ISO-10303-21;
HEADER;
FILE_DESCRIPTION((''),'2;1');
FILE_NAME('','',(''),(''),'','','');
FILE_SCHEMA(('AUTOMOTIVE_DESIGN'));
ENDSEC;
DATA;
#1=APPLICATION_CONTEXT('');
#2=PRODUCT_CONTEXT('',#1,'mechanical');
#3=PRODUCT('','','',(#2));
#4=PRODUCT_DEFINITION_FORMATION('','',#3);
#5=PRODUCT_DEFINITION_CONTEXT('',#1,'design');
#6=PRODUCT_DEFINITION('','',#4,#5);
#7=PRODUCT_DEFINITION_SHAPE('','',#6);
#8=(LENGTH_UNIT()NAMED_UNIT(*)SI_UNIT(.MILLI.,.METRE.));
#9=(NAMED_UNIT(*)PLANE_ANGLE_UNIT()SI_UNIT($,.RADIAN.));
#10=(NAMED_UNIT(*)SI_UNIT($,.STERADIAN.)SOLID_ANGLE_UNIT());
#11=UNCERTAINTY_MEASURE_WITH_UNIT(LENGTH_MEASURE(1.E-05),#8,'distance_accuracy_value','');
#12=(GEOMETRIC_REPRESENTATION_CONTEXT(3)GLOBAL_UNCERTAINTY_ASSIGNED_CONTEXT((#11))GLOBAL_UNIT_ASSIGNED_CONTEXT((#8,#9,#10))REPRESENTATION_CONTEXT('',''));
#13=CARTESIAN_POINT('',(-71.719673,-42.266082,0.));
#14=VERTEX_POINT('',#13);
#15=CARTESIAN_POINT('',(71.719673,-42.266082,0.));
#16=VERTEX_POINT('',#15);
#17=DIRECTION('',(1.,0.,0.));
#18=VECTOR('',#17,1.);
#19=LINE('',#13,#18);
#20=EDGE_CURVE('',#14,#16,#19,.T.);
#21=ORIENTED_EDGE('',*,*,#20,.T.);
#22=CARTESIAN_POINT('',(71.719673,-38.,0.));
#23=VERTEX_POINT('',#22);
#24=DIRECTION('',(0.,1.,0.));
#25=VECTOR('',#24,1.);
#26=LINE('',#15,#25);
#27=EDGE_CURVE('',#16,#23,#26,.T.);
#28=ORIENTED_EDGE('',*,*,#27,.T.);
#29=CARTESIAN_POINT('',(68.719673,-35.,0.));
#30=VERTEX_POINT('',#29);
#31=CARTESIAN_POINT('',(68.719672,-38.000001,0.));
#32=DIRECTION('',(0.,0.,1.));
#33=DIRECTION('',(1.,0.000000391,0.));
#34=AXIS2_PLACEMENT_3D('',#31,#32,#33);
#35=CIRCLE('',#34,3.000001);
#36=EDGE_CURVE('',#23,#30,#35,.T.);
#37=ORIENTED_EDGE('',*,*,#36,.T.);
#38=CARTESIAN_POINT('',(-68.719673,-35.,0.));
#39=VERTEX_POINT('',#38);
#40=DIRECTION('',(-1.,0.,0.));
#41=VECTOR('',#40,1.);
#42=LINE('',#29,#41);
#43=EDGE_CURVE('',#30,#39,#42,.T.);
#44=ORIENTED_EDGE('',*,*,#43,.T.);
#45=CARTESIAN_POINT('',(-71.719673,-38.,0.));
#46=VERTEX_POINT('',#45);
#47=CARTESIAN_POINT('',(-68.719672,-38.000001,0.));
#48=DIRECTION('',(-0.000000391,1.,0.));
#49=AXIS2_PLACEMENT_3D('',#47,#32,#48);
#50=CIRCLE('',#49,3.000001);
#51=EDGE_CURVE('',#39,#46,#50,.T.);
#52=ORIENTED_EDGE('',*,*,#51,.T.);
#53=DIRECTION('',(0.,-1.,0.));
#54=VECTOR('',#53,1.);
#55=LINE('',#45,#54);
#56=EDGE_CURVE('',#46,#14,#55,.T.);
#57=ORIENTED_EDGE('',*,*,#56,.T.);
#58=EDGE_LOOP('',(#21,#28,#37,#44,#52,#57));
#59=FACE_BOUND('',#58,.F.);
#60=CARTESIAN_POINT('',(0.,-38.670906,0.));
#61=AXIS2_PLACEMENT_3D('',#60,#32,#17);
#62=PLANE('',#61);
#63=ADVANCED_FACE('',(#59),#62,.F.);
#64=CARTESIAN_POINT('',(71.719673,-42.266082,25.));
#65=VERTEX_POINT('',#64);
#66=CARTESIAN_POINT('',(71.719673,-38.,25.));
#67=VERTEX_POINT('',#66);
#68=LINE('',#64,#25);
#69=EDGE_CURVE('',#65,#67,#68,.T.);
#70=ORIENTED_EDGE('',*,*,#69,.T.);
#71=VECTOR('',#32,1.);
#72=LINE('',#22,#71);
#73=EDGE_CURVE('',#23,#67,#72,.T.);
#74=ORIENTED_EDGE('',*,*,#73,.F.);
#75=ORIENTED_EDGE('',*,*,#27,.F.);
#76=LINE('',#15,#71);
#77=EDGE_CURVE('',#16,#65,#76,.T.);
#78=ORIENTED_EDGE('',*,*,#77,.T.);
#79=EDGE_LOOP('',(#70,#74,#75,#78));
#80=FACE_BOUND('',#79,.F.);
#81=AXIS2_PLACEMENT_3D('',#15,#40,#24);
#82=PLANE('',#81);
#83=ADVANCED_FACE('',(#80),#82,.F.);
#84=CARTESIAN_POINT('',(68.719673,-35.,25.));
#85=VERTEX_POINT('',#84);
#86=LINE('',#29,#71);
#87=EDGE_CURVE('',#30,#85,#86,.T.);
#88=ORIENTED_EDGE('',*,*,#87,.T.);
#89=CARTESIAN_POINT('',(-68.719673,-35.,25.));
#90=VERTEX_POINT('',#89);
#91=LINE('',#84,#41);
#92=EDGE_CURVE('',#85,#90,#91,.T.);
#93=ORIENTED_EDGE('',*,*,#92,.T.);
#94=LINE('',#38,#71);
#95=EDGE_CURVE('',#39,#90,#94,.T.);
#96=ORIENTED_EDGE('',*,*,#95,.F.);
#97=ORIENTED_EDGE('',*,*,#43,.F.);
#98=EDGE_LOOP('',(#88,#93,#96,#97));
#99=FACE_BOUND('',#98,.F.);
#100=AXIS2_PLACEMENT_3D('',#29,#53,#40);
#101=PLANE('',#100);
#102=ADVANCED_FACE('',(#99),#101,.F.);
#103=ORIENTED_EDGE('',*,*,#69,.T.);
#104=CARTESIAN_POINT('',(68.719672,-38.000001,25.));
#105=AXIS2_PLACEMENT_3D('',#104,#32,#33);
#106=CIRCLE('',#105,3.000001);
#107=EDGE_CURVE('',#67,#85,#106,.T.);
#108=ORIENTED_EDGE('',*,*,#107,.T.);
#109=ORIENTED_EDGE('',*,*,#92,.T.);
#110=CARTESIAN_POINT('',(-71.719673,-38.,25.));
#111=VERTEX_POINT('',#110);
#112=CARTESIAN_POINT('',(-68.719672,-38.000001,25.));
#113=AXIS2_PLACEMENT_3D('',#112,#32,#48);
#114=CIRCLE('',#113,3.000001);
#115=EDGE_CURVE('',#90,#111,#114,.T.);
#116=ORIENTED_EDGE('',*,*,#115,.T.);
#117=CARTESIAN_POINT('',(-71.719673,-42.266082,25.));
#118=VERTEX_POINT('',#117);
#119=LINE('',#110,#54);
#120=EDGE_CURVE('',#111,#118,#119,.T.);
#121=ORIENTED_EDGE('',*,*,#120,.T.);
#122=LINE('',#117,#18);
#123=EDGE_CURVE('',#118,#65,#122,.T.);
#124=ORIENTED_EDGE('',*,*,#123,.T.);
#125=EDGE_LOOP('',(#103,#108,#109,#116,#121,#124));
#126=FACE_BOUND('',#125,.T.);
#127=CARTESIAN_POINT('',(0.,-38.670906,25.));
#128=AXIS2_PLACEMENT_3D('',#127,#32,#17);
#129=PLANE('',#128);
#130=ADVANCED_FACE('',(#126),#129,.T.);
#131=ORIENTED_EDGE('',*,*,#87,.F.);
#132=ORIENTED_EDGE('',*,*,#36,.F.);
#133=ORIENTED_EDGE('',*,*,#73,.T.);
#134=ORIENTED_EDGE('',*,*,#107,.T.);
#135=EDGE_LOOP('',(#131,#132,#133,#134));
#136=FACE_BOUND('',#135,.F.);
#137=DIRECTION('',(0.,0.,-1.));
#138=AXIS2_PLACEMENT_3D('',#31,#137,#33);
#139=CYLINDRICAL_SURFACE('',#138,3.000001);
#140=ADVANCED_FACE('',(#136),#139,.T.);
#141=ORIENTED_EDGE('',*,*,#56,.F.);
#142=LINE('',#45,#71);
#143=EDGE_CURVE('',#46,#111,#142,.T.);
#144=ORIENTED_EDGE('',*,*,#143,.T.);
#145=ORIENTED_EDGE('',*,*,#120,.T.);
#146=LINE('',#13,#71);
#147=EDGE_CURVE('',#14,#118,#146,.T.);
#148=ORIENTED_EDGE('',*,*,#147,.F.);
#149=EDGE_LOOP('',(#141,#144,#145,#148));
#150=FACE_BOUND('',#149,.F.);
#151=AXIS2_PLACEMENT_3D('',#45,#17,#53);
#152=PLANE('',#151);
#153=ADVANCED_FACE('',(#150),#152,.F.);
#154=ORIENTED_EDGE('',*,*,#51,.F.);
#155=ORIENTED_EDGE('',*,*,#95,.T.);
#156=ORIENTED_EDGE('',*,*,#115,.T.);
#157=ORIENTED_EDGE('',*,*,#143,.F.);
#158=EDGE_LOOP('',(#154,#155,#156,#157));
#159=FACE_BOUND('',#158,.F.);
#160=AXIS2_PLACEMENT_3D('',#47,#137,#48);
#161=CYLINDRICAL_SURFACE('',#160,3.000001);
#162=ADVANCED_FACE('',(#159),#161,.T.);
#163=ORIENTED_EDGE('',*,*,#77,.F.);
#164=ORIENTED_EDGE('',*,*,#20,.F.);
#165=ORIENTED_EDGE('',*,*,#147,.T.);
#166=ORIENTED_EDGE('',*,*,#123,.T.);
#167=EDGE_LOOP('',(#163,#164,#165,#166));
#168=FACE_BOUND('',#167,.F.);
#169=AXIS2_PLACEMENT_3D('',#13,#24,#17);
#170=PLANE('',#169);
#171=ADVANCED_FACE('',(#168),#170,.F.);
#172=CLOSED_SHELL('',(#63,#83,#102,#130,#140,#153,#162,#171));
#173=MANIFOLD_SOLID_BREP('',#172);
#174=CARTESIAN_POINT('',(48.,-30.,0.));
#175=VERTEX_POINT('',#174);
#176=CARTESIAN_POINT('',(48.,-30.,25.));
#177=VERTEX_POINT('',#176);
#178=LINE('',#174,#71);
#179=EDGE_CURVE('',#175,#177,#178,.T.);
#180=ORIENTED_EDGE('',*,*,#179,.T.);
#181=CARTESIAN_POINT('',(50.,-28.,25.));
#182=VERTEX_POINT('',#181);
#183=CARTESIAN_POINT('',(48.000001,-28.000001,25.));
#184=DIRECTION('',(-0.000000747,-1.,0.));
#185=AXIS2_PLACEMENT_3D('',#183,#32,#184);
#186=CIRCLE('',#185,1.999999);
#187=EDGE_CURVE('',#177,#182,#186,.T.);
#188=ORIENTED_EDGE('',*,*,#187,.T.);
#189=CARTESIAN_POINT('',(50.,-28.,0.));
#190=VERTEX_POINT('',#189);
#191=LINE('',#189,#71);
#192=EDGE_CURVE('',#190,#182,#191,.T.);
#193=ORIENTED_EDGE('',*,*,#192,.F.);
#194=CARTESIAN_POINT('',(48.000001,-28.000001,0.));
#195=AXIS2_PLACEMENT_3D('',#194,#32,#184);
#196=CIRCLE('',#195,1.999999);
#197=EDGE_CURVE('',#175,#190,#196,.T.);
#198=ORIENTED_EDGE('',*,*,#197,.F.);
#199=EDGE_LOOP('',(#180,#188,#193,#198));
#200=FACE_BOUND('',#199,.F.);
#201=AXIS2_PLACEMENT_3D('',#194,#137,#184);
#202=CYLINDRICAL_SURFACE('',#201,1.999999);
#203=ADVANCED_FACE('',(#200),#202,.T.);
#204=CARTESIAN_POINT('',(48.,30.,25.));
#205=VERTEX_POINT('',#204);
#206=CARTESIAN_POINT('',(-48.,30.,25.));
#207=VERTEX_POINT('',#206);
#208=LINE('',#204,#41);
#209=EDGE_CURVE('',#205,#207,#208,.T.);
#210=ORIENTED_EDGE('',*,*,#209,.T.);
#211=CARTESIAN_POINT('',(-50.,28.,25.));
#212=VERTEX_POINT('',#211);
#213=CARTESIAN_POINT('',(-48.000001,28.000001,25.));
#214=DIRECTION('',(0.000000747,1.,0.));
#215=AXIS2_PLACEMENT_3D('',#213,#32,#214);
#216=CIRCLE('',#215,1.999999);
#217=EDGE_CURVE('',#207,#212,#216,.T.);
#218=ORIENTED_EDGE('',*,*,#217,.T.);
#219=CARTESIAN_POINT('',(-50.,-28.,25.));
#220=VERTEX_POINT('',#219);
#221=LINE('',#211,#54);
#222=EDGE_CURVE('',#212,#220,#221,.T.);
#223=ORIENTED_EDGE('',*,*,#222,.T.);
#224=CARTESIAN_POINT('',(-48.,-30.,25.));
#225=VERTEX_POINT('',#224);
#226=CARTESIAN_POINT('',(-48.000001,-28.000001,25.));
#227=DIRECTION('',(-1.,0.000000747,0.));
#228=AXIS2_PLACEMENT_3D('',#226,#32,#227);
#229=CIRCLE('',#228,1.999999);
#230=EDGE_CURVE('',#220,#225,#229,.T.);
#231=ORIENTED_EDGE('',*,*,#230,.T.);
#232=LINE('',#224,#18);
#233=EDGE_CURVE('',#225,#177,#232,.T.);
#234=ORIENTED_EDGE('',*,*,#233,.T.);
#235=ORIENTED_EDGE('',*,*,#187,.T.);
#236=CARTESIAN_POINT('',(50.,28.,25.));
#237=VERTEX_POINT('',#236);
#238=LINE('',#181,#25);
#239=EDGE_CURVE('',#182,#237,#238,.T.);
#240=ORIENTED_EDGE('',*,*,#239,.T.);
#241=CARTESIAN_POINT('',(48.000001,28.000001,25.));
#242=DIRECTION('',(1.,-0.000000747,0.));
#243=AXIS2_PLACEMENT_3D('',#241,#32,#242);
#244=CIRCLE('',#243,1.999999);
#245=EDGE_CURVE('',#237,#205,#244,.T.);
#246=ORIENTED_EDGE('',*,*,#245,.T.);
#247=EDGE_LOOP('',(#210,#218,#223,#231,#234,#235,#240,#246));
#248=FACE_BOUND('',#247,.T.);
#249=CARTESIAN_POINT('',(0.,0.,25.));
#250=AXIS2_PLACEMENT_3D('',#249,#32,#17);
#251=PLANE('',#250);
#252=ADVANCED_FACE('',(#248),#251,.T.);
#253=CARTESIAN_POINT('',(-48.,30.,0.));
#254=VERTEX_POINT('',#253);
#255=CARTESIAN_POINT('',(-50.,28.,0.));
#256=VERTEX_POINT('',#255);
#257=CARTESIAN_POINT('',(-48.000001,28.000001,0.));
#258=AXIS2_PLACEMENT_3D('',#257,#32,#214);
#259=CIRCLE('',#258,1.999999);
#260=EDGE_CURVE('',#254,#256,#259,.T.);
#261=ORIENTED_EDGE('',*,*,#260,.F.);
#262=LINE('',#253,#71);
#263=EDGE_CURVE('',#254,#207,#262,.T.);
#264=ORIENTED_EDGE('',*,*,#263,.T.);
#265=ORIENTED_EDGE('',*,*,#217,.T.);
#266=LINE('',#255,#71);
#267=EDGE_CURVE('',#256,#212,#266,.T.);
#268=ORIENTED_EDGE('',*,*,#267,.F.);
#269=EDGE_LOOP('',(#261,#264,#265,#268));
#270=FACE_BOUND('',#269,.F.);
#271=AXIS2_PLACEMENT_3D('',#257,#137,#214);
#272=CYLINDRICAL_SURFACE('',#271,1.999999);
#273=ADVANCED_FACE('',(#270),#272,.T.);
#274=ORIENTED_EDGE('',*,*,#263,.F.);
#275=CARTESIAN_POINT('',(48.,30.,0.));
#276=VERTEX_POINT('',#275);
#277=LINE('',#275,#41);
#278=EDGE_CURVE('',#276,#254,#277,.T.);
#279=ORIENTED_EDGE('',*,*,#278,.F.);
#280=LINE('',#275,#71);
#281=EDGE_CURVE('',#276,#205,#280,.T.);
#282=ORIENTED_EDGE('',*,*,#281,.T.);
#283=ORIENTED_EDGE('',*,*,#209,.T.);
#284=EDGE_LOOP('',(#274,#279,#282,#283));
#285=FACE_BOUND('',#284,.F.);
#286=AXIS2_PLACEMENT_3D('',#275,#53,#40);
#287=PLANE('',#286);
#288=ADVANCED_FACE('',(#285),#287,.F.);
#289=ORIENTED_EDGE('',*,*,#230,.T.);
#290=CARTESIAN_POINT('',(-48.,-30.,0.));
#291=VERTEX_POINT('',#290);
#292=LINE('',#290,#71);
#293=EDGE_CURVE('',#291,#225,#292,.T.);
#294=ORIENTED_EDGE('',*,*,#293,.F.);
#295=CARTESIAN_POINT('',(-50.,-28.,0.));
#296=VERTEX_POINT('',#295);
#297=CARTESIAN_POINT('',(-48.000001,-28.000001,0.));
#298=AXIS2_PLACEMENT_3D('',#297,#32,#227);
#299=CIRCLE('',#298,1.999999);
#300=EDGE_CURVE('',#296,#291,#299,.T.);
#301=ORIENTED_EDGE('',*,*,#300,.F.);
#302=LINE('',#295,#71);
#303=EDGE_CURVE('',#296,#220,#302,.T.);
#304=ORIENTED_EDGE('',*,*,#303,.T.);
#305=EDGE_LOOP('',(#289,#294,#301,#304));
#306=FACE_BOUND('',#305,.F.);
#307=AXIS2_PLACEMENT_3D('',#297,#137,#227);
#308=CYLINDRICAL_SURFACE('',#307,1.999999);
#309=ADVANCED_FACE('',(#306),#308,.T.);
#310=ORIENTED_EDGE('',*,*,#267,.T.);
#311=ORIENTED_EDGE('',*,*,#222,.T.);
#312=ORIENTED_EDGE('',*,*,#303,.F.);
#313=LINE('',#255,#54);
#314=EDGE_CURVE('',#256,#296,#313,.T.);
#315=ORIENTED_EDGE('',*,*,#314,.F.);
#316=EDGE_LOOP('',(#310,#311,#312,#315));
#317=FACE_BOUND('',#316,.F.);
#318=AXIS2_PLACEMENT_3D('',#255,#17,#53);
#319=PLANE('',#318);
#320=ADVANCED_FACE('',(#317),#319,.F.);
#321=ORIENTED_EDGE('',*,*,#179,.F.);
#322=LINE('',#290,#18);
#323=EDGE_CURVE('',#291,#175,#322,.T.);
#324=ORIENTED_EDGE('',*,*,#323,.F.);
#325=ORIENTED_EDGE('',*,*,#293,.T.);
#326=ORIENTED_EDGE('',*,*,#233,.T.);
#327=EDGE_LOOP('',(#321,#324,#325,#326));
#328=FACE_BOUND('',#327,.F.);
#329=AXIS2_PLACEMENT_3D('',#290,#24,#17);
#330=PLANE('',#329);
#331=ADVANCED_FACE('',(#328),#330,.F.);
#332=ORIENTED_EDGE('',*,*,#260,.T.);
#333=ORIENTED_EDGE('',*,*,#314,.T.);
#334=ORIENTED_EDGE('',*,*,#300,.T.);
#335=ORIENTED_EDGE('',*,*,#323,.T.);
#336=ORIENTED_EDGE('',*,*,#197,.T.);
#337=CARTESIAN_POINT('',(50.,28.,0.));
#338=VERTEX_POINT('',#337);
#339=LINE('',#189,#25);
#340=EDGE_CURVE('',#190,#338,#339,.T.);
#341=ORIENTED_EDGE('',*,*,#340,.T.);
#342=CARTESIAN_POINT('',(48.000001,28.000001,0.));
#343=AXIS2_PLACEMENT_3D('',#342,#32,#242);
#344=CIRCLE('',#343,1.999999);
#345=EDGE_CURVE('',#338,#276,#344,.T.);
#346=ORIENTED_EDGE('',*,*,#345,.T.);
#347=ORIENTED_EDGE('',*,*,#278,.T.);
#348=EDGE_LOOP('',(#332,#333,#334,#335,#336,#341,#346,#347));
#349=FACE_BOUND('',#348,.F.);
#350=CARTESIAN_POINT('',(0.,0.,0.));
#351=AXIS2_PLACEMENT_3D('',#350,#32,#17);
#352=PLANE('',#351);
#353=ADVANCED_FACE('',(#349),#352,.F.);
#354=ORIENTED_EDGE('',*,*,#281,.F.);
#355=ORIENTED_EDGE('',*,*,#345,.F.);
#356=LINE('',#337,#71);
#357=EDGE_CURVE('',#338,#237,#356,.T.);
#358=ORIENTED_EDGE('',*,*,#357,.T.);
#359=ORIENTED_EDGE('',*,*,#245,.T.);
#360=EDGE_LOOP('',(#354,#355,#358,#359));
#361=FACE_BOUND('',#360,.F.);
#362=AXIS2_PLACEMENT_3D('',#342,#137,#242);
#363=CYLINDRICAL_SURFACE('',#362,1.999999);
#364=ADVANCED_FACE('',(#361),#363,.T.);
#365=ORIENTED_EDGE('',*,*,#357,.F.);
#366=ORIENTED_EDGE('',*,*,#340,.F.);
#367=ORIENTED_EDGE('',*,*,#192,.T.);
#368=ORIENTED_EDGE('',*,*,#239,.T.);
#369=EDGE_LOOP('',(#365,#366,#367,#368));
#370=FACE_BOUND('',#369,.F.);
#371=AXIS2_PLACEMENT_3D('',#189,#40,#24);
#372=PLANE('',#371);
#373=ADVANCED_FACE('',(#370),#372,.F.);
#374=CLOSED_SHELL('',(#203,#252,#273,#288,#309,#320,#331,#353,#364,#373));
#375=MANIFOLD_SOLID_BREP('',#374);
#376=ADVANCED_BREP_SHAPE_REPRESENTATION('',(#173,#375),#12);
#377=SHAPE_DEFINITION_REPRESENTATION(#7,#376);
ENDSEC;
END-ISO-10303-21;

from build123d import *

# Parameters (mm, degrees)
F1_DEPTH = 25


with BuildPart() as f1:
    # F0 (on Top) → F1 (new body)
    with BuildSketch(Plane.XY):
        with BuildLine():
            Line((48, 30), (-48, 30))
            ThreePointArc((-48, 30), (-49.414214, 29.414214), (-50, 28))
            Line((-50, 28), (-50, -28))
            ThreePointArc((-50, -28), (-49.414214, -29.414214), (-48, -30))
            Line((-48, -30), (48, -30))
            ThreePointArc((48, -30), (49.414214, -29.414214), (50, -28))
            Line((50, -28), (50, 28))
            ThreePointArc((50, 28), (49.414214, 29.414214), (48, 30))
        make_face()
        with BuildLine():
            Line((55, -35), (-55, -35))
            Line((-55, -35), (-68.719673, -35))
            ThreePointArc((-68.719673, -35), (-70.840993, -35.87868), (-71.719673, -38))
            Line((-71.719673, -38), (-71.719673, -42.266082))
            Line((-71.719673, -42.266082), (71.719673, -42.266082))
            Line((71.719673, -42.266082), (71.719673, -38))
            ThreePointArc((71.719673, -38), (70.840993, -35.87868), (68.719673, -35))
            Line((68.719673, -35), (55, -35))
        make_face()
    extrude(amount=F1_DEPTH)


solid = f1.part
